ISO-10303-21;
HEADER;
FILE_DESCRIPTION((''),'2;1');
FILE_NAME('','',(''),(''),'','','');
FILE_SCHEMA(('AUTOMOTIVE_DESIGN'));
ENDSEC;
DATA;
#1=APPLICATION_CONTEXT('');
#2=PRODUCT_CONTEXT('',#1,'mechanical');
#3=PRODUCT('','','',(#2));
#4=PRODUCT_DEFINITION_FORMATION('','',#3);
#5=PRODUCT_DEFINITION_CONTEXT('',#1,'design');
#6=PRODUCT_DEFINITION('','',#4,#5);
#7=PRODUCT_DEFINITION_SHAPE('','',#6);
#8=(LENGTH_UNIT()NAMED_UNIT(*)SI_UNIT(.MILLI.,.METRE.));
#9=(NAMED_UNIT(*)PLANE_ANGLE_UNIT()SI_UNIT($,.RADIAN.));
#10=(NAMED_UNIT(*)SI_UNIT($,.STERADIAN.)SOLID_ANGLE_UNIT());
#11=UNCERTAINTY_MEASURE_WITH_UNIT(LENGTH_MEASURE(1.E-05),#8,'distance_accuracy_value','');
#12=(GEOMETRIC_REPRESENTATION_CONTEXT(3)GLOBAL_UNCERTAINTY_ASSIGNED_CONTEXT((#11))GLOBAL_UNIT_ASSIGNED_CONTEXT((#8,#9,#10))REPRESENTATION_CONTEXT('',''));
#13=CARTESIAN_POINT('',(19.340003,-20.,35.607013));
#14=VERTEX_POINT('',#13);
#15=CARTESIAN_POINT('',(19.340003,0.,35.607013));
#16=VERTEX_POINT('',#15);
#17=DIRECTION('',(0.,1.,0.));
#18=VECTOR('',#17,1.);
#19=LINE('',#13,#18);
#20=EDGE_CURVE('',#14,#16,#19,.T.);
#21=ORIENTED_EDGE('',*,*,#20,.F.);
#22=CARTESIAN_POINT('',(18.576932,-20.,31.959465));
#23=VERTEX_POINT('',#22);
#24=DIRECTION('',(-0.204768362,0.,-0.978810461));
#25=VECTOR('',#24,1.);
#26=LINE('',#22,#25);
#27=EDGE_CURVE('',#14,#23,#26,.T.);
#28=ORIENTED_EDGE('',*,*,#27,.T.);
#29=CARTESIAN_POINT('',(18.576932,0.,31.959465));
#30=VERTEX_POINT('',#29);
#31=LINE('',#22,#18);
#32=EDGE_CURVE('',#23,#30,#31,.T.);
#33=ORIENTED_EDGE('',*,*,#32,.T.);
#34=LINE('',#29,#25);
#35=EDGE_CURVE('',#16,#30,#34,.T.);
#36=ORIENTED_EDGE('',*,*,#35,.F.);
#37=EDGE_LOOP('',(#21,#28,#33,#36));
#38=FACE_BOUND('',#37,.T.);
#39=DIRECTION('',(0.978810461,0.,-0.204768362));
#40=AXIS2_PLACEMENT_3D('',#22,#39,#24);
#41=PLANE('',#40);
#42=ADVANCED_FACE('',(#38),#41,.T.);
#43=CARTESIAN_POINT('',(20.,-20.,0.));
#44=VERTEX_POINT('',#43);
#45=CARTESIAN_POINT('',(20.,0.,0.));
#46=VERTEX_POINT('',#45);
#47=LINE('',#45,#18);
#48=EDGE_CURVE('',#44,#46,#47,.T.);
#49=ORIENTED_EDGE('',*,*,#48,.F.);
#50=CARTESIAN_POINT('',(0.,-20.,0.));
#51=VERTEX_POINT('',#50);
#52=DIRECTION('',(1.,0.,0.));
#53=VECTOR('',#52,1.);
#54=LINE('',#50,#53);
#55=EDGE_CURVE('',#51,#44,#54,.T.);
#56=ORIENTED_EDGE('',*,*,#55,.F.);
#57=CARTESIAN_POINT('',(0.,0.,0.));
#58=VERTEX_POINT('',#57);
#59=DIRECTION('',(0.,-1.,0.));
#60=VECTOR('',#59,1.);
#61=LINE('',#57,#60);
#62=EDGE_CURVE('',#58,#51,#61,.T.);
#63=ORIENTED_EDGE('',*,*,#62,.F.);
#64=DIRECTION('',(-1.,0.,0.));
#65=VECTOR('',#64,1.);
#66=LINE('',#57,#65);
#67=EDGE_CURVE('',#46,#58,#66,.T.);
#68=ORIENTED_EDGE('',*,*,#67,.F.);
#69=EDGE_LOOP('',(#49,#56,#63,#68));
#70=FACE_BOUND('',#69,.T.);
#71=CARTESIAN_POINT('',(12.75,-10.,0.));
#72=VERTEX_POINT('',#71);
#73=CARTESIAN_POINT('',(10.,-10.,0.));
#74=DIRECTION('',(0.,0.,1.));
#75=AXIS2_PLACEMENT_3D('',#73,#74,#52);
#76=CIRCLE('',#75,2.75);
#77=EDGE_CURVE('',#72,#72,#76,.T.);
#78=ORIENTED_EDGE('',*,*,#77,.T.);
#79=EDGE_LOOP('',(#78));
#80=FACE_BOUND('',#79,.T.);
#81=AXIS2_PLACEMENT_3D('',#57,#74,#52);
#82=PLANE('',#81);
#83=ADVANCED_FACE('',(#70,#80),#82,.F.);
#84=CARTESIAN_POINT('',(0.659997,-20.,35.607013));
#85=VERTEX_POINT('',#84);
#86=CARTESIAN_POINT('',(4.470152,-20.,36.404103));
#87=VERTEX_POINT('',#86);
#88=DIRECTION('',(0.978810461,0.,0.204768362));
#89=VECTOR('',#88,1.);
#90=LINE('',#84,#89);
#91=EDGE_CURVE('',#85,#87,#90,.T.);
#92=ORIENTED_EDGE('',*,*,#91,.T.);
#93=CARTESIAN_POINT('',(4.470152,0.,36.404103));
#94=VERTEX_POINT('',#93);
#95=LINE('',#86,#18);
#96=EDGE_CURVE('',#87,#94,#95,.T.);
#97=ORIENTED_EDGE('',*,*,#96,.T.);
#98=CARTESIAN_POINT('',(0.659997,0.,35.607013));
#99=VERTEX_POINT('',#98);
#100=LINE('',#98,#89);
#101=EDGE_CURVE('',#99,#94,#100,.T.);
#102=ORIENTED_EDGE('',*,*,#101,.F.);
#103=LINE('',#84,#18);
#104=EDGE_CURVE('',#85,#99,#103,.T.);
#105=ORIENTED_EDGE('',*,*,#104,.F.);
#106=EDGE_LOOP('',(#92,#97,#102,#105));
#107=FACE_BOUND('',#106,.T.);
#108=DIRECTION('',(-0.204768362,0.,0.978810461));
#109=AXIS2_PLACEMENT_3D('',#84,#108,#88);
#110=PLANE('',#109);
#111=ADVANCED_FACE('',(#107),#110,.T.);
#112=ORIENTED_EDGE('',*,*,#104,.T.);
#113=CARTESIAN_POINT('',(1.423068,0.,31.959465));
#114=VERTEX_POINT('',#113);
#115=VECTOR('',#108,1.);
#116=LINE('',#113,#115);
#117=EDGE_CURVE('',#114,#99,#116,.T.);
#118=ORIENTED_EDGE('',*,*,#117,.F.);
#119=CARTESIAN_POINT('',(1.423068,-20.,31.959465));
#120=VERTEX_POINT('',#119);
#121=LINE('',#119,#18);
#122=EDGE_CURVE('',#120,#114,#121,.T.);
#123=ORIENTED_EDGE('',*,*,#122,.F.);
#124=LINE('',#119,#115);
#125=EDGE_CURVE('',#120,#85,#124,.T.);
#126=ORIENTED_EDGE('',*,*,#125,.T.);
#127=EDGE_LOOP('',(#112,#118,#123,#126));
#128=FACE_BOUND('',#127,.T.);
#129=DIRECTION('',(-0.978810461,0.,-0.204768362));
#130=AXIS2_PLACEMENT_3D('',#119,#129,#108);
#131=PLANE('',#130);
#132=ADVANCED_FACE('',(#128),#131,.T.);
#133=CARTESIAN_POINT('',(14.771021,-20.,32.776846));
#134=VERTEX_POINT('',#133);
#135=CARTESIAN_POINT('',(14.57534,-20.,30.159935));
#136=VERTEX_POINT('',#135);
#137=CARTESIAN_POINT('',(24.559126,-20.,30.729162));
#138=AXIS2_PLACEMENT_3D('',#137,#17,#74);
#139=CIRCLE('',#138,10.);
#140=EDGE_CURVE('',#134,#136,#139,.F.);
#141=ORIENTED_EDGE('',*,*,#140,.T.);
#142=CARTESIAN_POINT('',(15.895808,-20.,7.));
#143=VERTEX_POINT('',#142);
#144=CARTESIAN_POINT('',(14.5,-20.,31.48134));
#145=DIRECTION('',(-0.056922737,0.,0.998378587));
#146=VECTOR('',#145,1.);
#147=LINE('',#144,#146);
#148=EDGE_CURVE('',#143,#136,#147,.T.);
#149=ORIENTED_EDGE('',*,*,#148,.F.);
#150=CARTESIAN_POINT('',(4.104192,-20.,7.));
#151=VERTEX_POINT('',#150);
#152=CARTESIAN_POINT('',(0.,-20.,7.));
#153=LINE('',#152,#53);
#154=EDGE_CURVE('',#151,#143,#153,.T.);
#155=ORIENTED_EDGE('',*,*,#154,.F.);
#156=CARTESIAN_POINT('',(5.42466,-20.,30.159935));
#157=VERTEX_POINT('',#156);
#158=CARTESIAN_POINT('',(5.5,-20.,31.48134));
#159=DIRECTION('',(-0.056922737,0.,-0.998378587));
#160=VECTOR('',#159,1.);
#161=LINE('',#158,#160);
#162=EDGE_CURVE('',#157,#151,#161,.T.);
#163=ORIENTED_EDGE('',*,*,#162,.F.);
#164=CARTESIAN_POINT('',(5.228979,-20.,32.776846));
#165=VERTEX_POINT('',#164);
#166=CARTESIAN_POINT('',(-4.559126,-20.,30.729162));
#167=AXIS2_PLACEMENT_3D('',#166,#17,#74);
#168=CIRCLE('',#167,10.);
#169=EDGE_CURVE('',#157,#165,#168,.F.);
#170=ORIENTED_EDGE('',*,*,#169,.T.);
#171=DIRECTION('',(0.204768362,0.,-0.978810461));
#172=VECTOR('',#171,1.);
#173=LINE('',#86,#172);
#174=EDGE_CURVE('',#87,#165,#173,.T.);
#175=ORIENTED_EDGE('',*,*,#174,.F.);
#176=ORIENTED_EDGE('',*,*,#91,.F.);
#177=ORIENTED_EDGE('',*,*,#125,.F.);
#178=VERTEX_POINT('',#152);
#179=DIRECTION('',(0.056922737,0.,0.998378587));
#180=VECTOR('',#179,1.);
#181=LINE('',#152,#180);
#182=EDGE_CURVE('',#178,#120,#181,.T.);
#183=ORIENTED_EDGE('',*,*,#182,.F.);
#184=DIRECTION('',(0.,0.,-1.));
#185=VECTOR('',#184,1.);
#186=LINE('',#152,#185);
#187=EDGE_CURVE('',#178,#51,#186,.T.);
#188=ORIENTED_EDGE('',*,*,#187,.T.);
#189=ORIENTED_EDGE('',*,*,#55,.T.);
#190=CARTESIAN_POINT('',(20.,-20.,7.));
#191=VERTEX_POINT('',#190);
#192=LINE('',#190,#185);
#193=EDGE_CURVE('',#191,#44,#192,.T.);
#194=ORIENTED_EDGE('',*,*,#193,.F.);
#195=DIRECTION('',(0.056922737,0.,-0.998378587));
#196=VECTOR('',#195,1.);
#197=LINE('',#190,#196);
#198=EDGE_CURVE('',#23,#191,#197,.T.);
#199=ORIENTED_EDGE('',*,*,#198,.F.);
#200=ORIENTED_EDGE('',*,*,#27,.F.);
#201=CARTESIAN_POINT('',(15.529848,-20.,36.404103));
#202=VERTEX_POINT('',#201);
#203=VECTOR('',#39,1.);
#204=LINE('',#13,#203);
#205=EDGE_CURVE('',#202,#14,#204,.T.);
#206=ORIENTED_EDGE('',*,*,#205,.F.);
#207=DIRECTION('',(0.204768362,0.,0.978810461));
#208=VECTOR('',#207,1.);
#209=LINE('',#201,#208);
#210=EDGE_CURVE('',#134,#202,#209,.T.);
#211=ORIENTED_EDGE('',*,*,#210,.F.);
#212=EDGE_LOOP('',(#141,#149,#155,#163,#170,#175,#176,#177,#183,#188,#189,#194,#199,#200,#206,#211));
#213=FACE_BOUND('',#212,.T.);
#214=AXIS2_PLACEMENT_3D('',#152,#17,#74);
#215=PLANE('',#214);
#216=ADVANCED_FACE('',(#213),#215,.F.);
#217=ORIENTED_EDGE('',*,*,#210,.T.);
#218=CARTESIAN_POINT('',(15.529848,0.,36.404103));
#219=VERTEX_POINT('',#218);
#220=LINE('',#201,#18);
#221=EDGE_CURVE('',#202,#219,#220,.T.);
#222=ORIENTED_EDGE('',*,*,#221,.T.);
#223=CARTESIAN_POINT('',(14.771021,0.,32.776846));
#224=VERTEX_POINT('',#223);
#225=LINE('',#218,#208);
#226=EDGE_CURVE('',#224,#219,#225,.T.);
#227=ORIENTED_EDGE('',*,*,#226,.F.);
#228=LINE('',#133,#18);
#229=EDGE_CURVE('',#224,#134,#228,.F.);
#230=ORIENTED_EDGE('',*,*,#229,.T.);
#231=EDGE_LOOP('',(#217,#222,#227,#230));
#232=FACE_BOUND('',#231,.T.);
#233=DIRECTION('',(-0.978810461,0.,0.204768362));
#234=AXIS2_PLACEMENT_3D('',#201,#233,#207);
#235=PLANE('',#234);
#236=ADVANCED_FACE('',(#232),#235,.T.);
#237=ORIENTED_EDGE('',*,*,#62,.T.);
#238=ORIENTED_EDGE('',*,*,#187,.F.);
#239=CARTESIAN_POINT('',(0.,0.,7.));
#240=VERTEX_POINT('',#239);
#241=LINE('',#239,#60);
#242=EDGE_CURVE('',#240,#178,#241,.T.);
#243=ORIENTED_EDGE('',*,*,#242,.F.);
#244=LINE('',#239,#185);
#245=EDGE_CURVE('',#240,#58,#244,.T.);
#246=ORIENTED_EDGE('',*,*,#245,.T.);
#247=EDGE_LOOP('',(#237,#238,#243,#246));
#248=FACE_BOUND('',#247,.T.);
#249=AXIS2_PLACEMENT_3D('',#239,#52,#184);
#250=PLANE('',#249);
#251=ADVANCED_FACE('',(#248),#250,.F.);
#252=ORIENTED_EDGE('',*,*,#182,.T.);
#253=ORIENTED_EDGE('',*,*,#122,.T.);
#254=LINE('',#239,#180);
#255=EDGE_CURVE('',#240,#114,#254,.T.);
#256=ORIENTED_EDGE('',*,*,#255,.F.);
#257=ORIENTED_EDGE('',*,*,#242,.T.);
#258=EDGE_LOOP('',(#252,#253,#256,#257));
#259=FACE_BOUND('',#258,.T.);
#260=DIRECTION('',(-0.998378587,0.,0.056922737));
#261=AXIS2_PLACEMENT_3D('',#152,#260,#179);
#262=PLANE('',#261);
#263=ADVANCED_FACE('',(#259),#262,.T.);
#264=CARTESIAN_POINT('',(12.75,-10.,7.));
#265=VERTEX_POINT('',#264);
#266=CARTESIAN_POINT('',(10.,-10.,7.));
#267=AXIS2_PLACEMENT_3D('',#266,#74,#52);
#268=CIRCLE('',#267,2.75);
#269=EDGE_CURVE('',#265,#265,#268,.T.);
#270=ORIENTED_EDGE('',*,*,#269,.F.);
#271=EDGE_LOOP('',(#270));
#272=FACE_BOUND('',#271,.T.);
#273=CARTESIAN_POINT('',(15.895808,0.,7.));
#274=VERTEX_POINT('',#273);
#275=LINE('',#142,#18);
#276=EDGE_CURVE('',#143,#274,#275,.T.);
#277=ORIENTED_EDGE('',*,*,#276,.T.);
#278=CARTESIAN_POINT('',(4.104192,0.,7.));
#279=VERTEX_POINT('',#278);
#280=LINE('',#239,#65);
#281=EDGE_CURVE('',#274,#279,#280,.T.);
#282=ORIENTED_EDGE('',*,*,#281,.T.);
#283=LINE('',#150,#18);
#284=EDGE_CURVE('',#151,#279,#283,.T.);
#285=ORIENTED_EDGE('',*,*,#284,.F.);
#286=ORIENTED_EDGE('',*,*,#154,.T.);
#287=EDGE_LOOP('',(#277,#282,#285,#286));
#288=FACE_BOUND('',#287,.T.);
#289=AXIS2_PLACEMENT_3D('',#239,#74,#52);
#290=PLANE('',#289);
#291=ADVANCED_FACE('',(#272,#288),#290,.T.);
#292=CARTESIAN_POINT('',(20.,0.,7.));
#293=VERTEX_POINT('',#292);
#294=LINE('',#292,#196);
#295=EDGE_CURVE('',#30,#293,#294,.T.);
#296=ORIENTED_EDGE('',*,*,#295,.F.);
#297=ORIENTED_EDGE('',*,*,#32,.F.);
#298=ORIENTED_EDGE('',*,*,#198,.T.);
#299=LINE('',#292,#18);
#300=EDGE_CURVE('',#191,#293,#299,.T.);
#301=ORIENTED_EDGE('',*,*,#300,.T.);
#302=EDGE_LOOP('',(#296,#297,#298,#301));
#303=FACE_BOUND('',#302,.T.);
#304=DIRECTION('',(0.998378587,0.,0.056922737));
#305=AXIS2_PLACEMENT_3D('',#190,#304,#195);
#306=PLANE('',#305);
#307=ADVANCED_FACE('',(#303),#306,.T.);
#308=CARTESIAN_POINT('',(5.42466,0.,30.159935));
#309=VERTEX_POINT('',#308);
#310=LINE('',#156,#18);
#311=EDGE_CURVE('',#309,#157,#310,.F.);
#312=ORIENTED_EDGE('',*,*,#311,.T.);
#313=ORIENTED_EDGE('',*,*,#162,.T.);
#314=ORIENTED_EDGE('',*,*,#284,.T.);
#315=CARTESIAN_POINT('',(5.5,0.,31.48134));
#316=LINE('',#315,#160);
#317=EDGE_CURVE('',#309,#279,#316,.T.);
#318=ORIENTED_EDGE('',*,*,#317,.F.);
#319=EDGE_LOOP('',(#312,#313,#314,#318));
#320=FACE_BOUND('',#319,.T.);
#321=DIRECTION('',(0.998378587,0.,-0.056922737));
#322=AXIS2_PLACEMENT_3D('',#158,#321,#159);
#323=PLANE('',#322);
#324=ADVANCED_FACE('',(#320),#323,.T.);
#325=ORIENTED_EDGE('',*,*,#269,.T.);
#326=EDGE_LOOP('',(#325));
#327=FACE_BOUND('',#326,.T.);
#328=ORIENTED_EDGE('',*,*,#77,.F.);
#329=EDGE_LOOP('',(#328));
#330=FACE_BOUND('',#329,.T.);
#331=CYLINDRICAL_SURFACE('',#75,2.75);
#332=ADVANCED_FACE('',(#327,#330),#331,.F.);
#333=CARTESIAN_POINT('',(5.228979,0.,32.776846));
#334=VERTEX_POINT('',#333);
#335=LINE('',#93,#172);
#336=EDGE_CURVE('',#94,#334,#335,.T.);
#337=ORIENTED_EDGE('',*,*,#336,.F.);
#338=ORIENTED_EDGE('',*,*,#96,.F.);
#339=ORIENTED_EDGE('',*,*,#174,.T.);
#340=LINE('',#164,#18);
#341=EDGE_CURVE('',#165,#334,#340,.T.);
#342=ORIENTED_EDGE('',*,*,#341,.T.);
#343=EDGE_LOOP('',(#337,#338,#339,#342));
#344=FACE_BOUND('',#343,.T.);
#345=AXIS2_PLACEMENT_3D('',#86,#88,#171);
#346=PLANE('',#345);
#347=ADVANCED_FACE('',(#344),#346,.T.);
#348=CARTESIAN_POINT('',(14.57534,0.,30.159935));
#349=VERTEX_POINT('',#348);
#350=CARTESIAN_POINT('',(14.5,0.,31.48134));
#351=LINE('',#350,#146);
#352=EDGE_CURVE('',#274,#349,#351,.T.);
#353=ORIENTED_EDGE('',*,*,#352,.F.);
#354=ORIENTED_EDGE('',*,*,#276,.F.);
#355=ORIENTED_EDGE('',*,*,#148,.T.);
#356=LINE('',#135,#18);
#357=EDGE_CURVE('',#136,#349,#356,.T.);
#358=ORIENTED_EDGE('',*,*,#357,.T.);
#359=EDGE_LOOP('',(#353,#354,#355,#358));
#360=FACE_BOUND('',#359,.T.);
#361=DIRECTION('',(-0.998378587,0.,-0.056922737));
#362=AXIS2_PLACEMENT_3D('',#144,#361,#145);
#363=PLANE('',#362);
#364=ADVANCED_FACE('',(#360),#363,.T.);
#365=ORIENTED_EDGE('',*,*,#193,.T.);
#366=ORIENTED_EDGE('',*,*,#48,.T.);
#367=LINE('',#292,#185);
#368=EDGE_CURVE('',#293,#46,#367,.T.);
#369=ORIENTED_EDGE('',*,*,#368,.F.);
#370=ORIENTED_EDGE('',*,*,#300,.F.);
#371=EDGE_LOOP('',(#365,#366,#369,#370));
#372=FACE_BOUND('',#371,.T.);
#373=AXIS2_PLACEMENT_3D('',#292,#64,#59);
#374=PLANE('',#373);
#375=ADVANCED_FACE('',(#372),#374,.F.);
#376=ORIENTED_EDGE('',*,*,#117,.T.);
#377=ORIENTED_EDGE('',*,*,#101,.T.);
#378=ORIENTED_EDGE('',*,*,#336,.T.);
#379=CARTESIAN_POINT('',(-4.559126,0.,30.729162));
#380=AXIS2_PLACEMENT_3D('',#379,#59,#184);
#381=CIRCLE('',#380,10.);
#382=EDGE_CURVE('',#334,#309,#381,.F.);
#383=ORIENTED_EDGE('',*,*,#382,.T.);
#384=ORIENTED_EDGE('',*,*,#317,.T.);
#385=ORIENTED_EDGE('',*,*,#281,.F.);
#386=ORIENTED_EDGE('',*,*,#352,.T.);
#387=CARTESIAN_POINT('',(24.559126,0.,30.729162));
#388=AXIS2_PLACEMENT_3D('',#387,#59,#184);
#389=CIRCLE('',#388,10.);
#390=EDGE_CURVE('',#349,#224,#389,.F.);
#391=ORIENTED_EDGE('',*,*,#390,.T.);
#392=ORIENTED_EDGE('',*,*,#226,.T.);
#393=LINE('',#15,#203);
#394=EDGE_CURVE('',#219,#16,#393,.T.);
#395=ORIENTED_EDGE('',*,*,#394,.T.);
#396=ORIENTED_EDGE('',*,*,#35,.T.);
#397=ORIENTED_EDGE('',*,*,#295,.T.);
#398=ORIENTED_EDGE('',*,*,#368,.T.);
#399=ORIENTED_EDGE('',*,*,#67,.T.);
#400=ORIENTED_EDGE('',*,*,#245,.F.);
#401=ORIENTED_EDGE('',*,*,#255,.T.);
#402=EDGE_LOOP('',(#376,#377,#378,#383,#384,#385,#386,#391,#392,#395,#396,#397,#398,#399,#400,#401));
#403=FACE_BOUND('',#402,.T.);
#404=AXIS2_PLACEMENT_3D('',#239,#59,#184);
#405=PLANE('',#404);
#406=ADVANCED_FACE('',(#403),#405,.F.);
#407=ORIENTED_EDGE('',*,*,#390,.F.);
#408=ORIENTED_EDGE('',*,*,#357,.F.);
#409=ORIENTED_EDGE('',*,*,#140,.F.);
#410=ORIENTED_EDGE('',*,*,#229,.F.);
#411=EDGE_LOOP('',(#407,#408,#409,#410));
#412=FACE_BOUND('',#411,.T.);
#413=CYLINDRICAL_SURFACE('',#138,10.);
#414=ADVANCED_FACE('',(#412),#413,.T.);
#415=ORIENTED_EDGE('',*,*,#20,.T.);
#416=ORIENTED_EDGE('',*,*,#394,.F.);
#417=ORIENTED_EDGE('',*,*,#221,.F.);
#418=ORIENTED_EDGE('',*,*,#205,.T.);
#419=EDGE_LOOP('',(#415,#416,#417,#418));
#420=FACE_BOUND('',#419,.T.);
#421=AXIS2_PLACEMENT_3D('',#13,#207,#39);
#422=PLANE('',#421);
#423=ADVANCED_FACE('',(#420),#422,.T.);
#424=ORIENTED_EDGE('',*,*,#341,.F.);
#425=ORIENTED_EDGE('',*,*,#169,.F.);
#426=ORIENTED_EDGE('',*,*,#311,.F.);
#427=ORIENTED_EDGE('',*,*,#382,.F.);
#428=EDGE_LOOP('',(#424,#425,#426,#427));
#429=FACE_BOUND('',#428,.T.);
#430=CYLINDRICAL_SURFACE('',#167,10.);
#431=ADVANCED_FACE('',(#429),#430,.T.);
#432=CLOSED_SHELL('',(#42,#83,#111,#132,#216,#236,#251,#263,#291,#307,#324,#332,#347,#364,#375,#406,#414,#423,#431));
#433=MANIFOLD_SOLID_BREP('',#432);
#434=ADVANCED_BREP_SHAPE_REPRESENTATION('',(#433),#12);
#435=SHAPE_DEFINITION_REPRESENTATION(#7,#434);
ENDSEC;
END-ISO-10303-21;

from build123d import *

# Parameters (mm, degrees)
SKETCH1_W           = 20
SKETCH1_H           = 20
BOSS_EXTRUDE1_DEPTH = 7
SKETCH2_R           = 2.75
CUT_EXTRUDE1_DEPTH  = 8
BOSS_EXTRUDE2_DEPTH = 20
FILLET1_R           = 10


with BuildPart() as part:
    # Sketch1 → Boss-Extrude1 (new body)
    with BuildSketch(Plane.XY):
        with Locations((10, -10)):
            Rectangle(SKETCH1_W, SKETCH1_H)
    extrude(amount=BOSS_EXTRUDE1_DEPTH)

    # Sketch2 → Cut-Extrude1 (cut, through all)
    with BuildSketch(Plane.XY.offset(7)):
        with Locations((10, -10)):
            Circle(SKETCH2_R)
    extrude(amount=-CUT_EXTRUDE1_DEPTH, mode=Mode.SUBTRACT)

    # Sketch3 → Boss-Extrude2 (add)
    with BuildSketch(Plane(origin=(0, 0, 0), x_dir=(1, 0, 0), z_dir=(0, 1, 0))):
        Polygon((0, -7), (1.423068417, -31.959464663), (0.659996677, -35.607013498), (4.47015192, -36.404102701), (5.5, -31.481339917), (4.104191952, -7), align=None)
        Polygon((15.895808048, -7), (20, -7), (18.576931583, -31.959464663), (19.340003323, -35.607013498), (15.52984808, -36.404102701), (14.5, -31.481339917), align=None)
    extrude(amount=-BOSS_EXTRUDE2_DEPTH)

    # Fillet1
    fillet1_edges = [part.edges().sort_by_distance(p)[0] for p in [
        (5.5, -10, 31.481339917),
        (14.5, -10, 31.481339917),
    ]]
    fillet(fillet1_edges, radius=FILLET1_R)


solid = part.part
